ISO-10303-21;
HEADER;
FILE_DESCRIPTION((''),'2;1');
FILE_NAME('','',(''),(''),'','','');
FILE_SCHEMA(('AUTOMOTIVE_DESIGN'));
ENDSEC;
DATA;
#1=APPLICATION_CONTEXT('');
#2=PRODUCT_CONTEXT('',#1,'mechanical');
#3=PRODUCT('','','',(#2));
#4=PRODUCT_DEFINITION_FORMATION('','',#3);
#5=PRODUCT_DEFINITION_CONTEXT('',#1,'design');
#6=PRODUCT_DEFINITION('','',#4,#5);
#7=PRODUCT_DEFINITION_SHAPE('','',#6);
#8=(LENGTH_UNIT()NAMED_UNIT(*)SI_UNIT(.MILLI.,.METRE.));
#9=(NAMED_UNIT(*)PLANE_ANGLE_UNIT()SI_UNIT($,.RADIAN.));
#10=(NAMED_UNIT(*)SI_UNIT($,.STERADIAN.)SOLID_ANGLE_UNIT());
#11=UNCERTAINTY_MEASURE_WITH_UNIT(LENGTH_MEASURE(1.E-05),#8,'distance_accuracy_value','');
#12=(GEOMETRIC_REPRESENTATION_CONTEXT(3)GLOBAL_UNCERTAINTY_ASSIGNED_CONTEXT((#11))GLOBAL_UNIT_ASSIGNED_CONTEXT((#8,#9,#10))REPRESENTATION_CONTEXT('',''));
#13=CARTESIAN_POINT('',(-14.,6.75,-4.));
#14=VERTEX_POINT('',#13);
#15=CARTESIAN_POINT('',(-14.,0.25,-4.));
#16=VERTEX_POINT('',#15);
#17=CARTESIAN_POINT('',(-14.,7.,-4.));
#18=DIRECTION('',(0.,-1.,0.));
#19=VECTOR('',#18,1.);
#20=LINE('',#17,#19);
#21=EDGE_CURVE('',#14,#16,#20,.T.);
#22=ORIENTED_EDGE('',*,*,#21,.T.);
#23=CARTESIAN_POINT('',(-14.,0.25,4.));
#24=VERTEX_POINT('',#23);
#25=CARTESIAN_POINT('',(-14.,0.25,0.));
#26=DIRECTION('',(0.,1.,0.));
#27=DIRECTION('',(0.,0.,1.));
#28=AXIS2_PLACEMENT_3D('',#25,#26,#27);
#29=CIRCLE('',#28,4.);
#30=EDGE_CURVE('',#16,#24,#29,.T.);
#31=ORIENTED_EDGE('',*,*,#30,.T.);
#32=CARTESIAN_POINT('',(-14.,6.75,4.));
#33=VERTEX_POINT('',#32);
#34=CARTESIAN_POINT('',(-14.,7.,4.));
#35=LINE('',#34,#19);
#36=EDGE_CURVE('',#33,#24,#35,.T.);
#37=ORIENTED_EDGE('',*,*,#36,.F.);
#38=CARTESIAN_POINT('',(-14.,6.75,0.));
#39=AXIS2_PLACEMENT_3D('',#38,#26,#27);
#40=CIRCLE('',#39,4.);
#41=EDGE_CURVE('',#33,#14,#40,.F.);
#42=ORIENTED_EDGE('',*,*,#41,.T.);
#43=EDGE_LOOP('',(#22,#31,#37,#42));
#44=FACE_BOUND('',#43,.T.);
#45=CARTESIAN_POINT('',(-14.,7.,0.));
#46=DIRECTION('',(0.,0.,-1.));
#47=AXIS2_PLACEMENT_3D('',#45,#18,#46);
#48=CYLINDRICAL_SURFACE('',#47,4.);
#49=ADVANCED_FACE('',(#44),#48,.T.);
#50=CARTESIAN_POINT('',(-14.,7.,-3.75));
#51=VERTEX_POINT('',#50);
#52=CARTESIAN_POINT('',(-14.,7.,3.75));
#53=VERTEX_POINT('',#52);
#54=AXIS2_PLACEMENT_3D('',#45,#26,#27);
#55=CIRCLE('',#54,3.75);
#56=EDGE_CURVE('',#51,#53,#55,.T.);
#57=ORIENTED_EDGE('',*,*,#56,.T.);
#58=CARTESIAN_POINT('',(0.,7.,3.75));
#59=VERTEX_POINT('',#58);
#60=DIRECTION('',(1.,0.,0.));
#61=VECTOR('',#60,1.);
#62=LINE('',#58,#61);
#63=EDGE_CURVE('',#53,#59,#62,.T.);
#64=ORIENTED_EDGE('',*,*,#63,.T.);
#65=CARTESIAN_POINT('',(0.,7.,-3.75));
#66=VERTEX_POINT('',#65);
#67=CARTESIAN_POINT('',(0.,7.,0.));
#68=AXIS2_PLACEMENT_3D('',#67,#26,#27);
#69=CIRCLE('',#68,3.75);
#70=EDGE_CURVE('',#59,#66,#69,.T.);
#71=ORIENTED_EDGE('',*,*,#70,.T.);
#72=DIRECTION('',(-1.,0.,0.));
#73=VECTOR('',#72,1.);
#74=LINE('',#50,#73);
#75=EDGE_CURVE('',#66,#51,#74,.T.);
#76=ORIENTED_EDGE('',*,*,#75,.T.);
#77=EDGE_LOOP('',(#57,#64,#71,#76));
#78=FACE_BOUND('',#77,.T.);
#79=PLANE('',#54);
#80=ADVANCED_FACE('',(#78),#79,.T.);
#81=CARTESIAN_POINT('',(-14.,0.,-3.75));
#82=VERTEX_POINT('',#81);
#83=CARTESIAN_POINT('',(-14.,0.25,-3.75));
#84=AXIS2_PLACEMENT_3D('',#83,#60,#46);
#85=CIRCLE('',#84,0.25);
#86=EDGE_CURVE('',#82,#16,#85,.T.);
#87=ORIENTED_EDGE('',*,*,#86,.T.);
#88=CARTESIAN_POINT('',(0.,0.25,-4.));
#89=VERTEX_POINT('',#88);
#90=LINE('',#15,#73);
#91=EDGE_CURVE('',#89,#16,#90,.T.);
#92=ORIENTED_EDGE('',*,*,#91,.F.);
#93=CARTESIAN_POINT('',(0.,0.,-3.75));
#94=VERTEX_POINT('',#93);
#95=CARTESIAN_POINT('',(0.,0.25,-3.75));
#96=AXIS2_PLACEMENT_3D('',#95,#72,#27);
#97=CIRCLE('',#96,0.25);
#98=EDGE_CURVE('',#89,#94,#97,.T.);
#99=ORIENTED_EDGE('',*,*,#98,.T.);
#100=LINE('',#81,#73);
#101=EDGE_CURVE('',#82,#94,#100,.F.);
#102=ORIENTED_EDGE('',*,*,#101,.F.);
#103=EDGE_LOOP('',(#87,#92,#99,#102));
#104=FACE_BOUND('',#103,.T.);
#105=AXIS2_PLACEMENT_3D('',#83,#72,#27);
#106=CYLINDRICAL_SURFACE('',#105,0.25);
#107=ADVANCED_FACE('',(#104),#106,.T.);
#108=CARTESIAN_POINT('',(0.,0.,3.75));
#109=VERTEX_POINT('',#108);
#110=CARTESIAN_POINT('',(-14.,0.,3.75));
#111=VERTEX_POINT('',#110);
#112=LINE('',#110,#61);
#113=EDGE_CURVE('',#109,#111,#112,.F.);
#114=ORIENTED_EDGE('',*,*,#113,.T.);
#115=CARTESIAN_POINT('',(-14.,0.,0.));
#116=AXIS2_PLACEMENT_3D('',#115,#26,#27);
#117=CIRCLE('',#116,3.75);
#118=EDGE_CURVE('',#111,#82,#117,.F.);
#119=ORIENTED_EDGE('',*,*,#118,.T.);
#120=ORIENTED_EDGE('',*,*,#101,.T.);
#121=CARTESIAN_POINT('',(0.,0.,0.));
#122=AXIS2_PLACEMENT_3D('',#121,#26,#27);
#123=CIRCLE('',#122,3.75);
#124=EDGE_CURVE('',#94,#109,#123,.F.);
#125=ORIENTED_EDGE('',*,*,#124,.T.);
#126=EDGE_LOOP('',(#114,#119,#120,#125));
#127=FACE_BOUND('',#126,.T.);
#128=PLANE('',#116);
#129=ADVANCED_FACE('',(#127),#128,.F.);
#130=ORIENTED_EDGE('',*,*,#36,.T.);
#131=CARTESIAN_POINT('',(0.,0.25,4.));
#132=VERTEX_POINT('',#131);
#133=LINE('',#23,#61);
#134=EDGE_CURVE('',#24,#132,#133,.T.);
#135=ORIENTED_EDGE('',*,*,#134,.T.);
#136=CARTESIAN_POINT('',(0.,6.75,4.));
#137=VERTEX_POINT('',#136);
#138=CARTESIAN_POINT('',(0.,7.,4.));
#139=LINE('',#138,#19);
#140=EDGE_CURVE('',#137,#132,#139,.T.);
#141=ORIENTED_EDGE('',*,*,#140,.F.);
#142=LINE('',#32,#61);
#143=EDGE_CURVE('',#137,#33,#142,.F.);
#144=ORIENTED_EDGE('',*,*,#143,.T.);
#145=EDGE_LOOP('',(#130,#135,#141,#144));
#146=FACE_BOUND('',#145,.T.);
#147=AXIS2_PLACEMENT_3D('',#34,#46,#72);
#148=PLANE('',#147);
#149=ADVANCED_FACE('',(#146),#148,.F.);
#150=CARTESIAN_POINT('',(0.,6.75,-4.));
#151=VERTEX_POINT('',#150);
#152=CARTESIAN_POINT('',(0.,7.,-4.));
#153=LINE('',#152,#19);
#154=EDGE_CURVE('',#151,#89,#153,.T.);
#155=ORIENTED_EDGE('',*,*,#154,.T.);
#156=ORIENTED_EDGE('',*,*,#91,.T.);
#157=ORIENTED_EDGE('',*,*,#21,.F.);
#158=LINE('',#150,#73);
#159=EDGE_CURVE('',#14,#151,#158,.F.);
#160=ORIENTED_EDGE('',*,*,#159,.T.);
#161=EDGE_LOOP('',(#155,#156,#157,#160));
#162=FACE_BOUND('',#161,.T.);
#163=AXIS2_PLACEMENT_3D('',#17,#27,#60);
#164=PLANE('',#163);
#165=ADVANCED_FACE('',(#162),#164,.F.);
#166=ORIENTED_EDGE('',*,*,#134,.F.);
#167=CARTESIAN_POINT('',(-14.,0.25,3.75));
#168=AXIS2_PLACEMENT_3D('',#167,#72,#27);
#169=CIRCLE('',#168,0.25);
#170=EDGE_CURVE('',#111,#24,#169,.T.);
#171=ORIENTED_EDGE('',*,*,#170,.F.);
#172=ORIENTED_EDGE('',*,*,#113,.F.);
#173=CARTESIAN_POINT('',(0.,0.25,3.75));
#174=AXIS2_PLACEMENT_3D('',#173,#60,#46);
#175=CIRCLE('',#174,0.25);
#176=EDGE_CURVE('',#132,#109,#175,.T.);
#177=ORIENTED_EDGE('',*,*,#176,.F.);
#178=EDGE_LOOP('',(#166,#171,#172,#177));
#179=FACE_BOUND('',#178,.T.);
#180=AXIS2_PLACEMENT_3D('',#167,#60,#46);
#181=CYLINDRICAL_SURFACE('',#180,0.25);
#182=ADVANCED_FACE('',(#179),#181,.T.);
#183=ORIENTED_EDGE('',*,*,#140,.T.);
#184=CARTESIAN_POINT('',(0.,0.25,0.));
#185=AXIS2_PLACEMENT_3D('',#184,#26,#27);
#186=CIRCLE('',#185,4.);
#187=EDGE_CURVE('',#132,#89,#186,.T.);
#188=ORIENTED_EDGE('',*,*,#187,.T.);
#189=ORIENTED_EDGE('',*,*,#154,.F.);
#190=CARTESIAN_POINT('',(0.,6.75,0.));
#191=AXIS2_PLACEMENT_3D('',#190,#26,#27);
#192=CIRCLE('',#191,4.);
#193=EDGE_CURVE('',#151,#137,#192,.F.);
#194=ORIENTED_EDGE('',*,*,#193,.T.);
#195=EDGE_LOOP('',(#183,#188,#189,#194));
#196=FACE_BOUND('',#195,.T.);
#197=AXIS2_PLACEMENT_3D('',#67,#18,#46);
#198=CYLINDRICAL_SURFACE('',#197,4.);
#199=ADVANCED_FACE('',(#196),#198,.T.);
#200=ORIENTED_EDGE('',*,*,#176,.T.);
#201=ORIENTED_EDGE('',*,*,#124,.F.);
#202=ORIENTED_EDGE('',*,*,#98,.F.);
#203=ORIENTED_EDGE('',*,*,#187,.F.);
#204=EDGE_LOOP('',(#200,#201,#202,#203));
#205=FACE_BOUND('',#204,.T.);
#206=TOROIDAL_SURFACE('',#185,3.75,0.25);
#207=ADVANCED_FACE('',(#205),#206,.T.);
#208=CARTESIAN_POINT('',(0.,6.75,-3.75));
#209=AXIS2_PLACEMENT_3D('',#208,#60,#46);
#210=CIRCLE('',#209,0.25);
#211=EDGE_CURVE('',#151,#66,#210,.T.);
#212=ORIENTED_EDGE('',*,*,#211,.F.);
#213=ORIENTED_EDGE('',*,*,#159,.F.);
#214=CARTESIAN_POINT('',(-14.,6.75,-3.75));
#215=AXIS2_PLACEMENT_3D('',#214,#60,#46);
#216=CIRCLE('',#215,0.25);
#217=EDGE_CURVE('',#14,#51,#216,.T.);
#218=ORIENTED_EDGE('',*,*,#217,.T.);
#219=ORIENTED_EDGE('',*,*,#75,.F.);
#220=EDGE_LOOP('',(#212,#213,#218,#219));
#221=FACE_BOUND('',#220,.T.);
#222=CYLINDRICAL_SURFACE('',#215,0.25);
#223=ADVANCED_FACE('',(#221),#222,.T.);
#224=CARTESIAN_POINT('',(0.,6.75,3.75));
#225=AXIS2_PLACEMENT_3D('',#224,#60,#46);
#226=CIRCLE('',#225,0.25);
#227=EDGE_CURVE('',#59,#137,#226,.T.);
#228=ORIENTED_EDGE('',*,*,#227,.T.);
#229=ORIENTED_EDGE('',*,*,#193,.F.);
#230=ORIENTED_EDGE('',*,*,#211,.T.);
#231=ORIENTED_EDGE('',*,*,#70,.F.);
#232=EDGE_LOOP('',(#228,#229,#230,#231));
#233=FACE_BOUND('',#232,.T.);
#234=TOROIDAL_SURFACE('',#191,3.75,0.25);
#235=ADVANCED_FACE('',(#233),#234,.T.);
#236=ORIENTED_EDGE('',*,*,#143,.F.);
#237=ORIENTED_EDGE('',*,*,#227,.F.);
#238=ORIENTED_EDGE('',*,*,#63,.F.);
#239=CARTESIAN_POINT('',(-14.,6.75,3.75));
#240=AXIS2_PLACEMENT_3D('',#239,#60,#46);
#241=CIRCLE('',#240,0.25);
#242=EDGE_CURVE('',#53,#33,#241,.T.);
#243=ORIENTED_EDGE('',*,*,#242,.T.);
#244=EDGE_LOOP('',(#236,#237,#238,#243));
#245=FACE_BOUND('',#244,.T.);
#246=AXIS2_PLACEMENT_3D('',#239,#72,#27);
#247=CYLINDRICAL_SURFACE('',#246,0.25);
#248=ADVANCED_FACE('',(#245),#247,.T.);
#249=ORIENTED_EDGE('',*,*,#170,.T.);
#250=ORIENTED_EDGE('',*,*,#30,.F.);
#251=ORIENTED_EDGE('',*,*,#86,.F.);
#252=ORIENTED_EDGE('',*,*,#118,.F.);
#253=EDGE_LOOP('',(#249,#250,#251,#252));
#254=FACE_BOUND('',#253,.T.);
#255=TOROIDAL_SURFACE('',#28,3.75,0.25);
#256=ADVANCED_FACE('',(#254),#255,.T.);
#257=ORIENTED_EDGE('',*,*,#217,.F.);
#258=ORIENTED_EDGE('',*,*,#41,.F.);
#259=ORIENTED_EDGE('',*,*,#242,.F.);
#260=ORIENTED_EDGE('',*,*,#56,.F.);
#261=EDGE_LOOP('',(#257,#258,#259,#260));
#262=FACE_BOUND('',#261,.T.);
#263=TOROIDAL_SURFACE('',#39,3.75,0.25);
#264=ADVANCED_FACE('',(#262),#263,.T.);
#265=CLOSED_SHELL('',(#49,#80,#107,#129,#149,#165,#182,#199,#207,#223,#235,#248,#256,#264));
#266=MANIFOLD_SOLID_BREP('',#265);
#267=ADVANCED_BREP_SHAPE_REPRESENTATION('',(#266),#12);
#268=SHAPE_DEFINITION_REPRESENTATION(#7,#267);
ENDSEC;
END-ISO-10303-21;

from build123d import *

# Parameters (mm, degrees)
EXTRUDE1_DEPTH = 7
FILLET1_R      = 0.25


with BuildPart() as part:
    # Sketch1 → Extrude1 (new body)
    with BuildSketch(Plane(origin=(0, 0, 0), x_dir=(1, 0, 0), z_dir=(0, 1, 0))):
        with BuildLine():
            Line((-14, 4), (0, 4))
            ThreePointArc((0, 4), (4, 0), (0, -4))
            Line((0, -4), (-14, -4))
            ThreePointArc((-14, -4), (-18, 0), (-14, 4))
        make_face()
    extrude(amount=EXTRUDE1_DEPTH)

    # Fillet1
    fillet1_edges = [part.edges().sort_by_distance(p)[0] for p in [
        (4, 7, 0),
        (-7, 7, -4),
        (-18, 7, 0),
        (-7, 0, -4),
        (4, 0, 0),
        (-7, 0, 4),
        (-18, 0, 0),
        (-7, 7, 4),
    ]]
    fillet(fillet1_edges, radius=FILLET1_R)


solid = part.part
